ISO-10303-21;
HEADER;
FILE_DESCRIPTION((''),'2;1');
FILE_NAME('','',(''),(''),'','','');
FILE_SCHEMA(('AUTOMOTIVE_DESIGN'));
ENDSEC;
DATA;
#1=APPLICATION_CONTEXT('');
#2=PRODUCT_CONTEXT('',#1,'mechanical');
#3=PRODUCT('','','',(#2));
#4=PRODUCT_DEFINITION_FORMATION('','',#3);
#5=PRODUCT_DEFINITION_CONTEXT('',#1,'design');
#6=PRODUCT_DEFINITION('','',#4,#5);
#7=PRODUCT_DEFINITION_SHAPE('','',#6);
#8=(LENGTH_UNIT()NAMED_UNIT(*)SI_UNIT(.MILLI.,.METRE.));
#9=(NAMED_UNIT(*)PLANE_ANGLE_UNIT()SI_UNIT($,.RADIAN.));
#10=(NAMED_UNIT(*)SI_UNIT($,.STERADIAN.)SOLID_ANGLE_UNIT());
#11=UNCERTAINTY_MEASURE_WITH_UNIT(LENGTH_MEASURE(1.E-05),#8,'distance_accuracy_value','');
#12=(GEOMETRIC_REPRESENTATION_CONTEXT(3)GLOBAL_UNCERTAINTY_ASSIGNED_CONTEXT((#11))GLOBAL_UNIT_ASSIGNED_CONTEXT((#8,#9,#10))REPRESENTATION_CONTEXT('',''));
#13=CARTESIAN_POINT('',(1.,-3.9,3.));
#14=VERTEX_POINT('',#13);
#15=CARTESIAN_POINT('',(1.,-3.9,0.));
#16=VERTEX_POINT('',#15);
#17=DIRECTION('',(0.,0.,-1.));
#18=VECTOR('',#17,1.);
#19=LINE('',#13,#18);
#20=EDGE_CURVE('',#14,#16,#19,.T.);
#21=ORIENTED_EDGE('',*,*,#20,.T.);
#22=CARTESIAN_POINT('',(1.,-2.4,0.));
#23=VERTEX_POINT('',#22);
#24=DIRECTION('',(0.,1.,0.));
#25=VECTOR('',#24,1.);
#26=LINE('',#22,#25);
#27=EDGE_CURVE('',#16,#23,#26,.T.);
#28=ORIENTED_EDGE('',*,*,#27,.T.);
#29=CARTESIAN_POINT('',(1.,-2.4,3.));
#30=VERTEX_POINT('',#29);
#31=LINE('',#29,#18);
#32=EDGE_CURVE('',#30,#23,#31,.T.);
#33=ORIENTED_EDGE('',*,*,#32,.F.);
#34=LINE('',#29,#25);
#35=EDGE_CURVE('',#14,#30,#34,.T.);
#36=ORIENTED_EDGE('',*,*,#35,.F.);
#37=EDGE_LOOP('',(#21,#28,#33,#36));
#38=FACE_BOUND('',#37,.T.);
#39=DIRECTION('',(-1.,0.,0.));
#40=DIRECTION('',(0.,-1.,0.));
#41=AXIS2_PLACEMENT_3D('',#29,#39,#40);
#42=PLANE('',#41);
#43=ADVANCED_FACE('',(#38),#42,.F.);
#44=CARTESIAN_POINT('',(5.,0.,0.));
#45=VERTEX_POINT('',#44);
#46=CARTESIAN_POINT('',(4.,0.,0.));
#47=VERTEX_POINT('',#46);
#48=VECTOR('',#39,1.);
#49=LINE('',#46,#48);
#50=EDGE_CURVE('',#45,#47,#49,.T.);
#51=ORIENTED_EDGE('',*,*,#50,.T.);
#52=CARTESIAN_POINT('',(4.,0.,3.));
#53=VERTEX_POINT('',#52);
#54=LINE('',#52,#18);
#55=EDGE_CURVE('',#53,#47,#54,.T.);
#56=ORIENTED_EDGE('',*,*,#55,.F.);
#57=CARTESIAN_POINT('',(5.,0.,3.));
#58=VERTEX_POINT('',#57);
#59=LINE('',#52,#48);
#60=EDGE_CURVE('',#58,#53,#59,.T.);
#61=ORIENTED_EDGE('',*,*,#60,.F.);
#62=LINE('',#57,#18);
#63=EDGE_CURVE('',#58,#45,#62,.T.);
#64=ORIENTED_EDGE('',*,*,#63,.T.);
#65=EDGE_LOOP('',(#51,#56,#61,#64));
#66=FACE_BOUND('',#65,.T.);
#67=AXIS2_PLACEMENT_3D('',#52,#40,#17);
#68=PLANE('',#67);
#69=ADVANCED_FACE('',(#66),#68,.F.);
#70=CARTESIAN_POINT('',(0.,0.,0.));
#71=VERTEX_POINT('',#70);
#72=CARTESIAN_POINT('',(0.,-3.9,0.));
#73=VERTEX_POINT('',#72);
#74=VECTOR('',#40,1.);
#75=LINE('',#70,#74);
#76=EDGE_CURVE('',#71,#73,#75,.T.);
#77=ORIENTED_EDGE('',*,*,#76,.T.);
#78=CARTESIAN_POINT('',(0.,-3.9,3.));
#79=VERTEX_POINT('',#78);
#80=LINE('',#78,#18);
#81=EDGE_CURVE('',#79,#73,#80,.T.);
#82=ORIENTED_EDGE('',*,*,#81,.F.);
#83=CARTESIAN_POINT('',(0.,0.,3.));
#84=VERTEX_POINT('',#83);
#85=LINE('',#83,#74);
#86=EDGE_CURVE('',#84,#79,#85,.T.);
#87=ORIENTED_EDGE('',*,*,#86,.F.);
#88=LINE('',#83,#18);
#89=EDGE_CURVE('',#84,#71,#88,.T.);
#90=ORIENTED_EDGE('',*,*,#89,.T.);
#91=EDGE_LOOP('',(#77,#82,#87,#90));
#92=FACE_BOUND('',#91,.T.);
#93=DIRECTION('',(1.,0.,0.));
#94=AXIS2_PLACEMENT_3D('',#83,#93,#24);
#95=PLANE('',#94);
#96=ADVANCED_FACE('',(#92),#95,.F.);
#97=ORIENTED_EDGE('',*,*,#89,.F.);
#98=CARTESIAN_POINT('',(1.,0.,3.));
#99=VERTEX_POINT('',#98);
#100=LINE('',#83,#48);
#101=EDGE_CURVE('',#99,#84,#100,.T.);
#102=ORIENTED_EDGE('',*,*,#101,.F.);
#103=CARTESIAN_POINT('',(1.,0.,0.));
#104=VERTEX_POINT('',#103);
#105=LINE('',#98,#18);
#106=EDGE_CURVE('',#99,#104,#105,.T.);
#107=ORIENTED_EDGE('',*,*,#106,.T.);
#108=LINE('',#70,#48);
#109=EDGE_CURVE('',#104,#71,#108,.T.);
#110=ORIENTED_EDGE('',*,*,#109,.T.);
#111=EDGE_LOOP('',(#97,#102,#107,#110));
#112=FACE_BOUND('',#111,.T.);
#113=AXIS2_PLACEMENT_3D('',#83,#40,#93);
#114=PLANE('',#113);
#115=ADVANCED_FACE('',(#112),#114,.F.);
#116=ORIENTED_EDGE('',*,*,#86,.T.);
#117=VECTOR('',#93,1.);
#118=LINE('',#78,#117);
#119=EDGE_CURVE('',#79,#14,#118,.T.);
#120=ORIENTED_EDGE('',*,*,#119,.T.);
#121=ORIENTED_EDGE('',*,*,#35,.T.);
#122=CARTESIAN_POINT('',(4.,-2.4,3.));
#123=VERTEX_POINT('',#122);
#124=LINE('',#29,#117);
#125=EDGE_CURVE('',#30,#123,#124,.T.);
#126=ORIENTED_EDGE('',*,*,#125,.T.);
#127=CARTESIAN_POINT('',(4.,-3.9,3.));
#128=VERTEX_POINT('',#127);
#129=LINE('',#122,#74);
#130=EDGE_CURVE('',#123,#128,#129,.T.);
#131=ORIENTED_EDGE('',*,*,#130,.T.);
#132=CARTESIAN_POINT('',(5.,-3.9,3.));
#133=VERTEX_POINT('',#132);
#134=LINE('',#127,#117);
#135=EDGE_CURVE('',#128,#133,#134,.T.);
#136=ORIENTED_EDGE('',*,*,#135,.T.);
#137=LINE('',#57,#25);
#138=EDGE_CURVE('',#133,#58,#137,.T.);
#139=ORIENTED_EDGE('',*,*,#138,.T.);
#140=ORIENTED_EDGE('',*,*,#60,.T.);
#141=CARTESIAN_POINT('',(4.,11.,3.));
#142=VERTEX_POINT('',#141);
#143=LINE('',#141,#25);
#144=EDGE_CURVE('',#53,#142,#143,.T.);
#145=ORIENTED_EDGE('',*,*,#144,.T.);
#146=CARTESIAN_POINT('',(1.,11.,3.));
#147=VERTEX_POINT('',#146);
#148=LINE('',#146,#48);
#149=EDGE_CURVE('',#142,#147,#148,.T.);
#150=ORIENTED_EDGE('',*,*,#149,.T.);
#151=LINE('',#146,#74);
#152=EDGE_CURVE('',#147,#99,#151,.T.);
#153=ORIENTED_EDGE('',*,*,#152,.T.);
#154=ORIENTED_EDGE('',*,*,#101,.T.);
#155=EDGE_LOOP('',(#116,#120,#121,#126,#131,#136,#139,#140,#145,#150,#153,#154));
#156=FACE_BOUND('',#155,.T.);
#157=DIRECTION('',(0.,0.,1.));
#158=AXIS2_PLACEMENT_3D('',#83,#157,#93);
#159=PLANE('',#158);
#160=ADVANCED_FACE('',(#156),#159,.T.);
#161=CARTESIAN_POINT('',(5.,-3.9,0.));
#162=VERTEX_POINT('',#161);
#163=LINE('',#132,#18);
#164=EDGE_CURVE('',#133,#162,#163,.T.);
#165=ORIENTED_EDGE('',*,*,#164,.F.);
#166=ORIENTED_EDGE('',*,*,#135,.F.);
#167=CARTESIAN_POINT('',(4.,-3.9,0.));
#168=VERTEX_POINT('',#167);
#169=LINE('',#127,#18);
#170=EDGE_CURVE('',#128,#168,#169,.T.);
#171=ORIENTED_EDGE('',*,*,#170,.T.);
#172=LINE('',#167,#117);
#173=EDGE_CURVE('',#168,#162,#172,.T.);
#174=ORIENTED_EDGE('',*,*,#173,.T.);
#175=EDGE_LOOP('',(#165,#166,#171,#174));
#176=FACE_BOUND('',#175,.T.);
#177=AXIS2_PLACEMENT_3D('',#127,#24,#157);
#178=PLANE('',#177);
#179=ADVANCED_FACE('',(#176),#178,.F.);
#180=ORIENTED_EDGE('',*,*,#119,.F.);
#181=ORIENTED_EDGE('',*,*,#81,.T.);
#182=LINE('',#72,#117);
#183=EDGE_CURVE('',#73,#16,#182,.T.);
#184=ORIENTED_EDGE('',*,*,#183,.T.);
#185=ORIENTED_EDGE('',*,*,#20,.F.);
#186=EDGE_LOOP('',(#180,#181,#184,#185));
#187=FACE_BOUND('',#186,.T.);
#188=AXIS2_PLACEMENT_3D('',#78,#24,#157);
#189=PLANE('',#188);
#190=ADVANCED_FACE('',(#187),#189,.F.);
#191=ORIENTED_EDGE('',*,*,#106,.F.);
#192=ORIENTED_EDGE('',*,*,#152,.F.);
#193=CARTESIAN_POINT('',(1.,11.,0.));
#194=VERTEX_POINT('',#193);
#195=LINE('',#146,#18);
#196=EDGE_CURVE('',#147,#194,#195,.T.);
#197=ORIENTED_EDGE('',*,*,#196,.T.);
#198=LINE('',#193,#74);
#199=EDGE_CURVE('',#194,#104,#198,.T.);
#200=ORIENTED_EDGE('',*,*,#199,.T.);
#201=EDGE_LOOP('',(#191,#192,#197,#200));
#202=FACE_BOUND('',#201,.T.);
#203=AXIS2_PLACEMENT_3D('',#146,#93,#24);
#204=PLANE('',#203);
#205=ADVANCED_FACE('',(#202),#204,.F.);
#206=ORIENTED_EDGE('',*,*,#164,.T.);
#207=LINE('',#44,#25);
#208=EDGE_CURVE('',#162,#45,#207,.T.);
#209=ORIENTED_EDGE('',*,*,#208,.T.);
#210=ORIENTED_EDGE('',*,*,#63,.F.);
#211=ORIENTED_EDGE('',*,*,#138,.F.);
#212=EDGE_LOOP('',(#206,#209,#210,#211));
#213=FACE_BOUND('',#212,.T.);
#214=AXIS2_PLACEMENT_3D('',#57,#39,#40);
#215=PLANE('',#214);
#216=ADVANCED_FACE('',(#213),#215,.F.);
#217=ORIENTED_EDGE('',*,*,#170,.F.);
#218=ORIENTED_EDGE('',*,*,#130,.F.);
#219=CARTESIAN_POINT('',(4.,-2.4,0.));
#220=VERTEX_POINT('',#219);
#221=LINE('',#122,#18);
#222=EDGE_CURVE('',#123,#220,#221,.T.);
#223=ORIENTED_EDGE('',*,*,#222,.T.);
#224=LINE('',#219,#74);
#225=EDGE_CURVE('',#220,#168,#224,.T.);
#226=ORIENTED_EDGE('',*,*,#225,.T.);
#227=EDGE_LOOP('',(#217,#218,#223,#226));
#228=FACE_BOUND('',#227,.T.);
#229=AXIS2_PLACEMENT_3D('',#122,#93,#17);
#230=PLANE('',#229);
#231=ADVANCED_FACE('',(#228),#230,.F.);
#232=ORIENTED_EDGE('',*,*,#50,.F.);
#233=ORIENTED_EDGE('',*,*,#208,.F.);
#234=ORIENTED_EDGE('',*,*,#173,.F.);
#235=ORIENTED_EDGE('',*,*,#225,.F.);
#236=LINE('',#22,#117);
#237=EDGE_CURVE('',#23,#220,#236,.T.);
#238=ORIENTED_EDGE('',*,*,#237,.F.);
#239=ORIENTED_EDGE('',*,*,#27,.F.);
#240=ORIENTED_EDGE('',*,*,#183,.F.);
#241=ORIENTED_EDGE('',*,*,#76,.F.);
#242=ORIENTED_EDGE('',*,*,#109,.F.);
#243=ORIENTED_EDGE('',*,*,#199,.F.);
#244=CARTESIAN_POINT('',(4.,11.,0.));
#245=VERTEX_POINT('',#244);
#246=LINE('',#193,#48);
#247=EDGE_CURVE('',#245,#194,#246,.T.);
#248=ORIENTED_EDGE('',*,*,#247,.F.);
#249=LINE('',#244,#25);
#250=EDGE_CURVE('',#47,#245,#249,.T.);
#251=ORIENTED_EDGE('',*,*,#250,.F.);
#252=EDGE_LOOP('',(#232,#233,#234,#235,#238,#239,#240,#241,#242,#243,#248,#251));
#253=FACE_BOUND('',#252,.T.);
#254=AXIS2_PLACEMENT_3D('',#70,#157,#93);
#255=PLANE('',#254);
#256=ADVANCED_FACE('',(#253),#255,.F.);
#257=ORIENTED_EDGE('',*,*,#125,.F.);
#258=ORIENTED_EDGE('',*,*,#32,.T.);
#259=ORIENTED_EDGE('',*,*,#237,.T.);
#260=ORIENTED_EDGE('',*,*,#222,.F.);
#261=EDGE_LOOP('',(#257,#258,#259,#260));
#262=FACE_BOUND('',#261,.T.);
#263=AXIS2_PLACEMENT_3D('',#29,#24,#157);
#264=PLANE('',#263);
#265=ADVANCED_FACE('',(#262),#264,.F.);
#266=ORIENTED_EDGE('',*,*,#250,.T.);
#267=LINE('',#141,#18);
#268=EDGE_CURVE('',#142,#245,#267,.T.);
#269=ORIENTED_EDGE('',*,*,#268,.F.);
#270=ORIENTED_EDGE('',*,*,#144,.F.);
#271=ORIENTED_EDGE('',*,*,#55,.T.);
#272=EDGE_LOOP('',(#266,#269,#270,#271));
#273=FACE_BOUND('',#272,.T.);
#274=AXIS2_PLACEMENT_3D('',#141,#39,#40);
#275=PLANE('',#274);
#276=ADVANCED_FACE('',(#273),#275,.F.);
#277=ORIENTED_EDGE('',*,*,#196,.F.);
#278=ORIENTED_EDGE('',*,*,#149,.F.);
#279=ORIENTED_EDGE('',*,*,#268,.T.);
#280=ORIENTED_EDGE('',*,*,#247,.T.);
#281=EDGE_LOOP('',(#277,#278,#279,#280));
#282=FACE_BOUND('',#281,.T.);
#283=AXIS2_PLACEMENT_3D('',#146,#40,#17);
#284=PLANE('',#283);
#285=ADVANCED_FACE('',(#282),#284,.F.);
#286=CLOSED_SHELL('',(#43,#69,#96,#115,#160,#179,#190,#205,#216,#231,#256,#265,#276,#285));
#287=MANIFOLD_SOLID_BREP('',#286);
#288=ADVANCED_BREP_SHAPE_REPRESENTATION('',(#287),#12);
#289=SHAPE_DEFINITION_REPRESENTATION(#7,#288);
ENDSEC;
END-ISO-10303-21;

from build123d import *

# Parameters (mm, degrees)
BOSS_EXTRUDE1_DEPTH = 3


with BuildPart() as part:
    # Sketch2 → Boss-Extrude1 (new body)
    with BuildSketch(Plane.XY):
        Polygon((4, -3.9), (5, -3.9), (5, 0), (4, 0), (4, 11), (1, 11), (1, 0), (0, 0), (0, -3.9), (1, -3.9), (1, -2.4), (4, -2.4), align=None)
    extrude(amount=BOSS_EXTRUDE1_DEPTH)


solid = part.part
